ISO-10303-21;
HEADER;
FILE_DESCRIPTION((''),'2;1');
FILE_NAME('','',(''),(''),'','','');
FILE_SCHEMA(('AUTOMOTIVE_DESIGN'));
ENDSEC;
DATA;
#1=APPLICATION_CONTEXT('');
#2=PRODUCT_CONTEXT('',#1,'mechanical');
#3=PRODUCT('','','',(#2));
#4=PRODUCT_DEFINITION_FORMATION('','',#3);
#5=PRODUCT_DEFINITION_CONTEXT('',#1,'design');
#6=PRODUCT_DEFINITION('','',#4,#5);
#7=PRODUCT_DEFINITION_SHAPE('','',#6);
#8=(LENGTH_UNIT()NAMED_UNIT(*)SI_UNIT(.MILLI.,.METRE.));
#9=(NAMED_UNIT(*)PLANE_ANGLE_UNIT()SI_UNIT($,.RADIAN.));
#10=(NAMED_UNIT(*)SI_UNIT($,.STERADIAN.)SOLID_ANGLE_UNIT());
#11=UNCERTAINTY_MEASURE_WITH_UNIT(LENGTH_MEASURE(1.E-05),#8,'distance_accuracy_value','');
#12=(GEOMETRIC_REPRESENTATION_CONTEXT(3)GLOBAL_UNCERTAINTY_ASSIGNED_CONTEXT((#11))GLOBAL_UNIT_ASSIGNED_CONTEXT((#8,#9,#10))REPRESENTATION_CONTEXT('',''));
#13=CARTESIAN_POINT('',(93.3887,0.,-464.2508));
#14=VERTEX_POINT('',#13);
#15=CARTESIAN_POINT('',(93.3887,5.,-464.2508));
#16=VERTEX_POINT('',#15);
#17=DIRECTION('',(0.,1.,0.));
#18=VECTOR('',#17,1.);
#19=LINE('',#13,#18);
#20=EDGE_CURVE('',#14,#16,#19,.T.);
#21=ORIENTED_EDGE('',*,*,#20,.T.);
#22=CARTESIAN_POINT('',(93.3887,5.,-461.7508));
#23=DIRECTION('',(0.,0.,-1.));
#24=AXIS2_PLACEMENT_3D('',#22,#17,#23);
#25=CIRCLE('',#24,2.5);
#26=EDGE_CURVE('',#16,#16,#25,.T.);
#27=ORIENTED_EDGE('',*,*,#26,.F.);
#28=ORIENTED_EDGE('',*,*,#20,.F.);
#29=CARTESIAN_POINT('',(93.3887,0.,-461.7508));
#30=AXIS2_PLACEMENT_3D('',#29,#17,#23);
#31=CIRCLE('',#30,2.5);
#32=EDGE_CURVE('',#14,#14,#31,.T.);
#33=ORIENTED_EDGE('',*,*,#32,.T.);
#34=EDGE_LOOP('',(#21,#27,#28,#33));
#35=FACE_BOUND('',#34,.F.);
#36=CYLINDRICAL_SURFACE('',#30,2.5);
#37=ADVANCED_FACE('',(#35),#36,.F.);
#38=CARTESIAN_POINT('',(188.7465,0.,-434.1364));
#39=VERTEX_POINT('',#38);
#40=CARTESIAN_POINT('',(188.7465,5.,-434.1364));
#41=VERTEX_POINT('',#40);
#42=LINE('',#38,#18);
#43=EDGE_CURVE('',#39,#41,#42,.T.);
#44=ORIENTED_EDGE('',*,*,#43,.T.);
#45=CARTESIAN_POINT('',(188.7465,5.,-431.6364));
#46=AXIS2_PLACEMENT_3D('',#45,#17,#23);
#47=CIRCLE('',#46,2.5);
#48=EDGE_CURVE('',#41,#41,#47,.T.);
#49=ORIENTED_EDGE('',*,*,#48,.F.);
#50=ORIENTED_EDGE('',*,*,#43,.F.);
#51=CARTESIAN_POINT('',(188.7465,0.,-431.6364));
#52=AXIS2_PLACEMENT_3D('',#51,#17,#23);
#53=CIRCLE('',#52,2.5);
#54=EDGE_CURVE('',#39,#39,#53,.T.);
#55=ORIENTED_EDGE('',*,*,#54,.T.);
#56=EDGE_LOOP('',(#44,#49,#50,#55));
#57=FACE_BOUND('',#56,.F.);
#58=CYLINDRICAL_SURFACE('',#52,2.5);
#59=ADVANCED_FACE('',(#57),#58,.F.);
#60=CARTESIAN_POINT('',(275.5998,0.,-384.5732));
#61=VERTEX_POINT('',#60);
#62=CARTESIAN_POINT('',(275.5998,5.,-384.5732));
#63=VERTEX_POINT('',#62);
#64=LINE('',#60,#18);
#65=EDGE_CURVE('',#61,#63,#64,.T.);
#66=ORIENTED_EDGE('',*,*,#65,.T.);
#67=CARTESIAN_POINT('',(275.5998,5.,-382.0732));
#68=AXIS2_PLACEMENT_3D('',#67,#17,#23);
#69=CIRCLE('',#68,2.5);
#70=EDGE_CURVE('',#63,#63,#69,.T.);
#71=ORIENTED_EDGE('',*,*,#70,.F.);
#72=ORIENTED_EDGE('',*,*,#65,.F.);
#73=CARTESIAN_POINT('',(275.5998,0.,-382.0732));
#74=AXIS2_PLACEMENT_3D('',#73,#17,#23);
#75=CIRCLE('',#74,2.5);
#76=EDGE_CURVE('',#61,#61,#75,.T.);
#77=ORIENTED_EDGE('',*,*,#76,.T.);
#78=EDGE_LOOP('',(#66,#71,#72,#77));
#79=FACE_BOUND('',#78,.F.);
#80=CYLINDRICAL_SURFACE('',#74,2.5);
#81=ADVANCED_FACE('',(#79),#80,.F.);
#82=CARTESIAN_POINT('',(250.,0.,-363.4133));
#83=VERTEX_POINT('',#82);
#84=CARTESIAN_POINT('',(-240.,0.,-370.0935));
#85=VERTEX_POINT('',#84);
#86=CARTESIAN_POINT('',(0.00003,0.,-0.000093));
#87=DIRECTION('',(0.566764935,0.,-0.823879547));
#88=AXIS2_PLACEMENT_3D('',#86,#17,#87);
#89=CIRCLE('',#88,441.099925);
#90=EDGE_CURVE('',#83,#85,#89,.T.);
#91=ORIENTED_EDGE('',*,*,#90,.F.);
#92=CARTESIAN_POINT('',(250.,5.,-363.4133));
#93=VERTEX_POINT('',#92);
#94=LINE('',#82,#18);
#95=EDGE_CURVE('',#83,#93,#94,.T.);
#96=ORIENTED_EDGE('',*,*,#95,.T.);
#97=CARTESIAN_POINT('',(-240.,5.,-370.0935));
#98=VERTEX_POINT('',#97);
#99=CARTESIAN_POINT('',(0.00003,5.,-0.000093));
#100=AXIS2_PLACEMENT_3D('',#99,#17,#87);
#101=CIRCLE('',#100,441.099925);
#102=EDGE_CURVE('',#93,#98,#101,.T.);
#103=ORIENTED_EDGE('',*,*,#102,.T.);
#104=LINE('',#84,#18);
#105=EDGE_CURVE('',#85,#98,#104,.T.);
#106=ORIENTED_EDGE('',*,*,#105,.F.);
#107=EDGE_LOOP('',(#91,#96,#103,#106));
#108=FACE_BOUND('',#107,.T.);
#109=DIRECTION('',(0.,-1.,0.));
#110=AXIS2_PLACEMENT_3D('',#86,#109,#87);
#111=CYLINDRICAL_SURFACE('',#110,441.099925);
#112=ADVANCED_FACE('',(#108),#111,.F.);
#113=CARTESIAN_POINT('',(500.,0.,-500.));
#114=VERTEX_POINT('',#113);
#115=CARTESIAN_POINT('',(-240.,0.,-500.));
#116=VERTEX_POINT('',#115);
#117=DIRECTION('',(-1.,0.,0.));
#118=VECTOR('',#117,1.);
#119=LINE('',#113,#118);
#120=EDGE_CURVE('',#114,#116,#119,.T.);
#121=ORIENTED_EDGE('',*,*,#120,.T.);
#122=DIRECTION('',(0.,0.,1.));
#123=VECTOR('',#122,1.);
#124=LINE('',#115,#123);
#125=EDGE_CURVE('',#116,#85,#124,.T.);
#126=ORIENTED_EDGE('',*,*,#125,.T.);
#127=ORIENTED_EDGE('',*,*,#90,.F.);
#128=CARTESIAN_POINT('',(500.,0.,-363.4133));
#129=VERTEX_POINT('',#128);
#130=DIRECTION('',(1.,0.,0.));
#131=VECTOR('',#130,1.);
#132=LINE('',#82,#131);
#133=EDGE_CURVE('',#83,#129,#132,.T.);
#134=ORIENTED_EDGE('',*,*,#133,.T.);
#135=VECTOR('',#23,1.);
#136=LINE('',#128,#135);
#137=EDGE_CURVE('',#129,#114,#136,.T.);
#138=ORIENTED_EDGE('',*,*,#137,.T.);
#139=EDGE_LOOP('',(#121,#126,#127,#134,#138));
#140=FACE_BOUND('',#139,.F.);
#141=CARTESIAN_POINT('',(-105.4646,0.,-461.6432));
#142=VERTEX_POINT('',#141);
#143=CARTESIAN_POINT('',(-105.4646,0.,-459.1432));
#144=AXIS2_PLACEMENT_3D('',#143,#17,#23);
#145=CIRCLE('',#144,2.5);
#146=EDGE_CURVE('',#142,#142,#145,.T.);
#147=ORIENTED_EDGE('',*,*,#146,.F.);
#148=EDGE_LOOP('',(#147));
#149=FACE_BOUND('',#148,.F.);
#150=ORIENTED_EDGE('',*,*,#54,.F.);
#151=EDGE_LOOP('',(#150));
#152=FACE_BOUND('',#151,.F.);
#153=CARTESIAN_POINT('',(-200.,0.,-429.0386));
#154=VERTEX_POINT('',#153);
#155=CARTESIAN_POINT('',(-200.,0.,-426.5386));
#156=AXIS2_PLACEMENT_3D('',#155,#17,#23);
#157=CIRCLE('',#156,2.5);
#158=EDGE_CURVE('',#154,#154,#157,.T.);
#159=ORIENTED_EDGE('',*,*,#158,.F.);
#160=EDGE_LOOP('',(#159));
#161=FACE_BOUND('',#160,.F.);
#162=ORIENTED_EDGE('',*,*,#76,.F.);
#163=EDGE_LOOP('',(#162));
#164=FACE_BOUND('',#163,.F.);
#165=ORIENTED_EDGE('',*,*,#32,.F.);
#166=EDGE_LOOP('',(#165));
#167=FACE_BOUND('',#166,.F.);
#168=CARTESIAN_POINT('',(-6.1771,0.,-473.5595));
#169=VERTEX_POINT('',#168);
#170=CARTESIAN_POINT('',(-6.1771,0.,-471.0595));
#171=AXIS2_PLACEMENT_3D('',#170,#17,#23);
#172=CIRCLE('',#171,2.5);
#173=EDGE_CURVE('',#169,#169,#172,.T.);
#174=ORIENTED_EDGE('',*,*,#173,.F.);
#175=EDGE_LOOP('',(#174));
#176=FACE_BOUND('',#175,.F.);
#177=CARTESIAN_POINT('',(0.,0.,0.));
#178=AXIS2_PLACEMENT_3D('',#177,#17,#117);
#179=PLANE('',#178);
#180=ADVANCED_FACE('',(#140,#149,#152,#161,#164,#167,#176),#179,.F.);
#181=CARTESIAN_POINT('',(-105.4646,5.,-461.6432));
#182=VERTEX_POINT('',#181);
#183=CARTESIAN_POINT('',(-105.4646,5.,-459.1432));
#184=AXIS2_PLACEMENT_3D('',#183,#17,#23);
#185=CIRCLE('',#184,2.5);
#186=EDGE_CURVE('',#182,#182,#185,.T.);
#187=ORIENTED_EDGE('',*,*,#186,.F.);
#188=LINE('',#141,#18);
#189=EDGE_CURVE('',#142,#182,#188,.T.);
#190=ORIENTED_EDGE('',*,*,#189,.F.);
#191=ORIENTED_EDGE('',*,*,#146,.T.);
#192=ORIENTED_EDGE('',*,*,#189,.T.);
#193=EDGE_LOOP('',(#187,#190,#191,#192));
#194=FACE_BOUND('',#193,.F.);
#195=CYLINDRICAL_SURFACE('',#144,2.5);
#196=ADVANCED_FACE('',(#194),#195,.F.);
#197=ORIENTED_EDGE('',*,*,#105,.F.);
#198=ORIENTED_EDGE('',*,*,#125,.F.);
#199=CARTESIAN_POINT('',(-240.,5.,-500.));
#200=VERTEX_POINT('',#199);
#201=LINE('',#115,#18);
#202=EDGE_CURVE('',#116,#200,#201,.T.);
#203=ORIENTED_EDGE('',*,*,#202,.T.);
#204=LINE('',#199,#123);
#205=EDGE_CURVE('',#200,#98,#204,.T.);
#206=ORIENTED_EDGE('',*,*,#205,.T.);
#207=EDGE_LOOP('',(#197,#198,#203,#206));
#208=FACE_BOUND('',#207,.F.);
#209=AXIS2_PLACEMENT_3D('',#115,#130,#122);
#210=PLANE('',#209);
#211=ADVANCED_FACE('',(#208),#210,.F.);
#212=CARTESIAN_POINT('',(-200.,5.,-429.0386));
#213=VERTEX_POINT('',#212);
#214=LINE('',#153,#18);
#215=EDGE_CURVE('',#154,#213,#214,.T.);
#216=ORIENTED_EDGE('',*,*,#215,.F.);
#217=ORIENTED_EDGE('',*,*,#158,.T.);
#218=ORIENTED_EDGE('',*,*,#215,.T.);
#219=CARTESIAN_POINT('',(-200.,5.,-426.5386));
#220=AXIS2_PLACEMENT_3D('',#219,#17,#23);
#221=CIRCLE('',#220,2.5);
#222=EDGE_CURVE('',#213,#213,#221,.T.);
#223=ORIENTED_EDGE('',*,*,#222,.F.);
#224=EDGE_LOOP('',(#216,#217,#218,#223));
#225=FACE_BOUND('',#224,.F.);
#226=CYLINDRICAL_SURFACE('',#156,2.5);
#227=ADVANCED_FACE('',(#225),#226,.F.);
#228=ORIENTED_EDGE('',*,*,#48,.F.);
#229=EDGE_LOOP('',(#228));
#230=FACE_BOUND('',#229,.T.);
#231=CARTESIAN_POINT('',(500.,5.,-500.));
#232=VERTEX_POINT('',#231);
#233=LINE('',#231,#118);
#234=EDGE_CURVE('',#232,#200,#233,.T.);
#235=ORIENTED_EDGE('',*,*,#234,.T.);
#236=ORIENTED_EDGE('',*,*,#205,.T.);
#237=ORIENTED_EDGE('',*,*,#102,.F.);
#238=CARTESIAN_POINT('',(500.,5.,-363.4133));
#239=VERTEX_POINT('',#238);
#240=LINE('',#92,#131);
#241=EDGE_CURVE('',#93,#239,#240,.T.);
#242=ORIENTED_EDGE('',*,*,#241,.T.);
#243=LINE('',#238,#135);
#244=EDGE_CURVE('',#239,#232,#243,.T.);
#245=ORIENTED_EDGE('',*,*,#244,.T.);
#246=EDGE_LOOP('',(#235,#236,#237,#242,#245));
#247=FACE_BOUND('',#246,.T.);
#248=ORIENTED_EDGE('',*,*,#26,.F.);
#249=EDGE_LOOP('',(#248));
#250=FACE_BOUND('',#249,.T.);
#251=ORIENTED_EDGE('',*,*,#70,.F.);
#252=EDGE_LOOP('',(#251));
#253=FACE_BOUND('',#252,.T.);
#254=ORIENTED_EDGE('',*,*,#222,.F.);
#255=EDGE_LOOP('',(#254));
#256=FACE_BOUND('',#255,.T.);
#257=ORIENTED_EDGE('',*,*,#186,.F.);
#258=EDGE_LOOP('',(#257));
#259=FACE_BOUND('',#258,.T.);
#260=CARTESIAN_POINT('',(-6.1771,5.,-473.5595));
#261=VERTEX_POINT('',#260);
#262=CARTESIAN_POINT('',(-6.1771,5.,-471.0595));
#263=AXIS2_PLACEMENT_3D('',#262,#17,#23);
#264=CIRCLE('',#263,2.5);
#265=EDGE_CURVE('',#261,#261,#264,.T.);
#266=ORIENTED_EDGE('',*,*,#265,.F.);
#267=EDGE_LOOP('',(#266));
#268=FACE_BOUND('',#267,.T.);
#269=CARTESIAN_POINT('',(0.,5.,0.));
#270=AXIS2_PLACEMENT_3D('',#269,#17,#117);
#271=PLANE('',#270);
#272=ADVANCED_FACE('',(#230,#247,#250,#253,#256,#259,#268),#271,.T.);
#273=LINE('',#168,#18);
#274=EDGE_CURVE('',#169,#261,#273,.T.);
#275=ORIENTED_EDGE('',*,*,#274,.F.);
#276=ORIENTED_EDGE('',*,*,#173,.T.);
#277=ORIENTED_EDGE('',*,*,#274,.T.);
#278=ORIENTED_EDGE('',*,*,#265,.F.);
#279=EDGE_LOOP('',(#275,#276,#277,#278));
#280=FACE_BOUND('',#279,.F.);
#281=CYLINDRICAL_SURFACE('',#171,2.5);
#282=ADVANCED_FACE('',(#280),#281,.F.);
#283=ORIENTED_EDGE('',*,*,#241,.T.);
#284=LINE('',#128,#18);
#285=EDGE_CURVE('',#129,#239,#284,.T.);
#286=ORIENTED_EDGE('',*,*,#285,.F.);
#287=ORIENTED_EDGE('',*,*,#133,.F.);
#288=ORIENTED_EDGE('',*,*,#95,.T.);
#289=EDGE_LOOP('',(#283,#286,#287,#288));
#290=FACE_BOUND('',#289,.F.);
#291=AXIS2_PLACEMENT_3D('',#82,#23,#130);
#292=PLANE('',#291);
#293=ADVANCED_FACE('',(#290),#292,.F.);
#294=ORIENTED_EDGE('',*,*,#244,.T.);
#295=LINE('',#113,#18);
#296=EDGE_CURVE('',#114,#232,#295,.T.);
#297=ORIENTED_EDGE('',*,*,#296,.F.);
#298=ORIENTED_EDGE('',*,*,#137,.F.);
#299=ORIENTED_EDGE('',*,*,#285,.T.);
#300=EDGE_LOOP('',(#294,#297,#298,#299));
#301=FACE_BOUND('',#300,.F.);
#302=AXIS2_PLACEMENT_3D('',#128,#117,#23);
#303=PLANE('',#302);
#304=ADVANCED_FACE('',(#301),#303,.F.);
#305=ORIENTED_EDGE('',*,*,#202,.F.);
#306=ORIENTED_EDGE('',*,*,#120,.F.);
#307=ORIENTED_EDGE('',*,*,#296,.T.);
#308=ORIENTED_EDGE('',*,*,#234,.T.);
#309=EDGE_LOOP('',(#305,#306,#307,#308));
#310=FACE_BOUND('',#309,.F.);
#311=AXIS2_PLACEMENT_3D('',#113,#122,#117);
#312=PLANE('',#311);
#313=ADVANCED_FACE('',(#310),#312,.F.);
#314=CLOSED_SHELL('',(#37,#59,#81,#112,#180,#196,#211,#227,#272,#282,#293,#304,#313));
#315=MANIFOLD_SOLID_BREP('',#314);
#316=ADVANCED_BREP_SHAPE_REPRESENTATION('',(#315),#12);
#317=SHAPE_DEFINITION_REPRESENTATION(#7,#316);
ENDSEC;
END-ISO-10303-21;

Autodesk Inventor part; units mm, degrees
ref_plane "YZ Plane" through (0, 0, 0) normal (1, 0, 0) x (0, 1, 0)
ref_plane "XZ Plane" through (0, 0, 0) normal (0, 1, 0) x (-1, 0, 0)
ref_plane "XY Plane" through (0, 0, 0) normal (0, 0, 1) x (1, 0, 0)
sketch "Sketch2" plane through (0, 0, 0) normal (0, 1, 0) x (-1, 0, 0)
  line L0 (0, 329.241) -> (0, -329.241) construction
  line L1 (203.5937, 0) -> (-203.5937, 0) construction
  arc A0 (-250, -363.4133) -> (240, -370.0935) centre (0, 0) ccw
  line L2 (-500, -363.4133) -> (-500, -500)
  line L3 (-500, -500) -> (240, -500)
  line L4 (240, -500) -> (240, -370.0935)
  line L5 (-250, -363.4133) -> (-500, -363.4133)
  dimension "d0" = 500
  dimension "d2" = 500
  dimension "d3" = 441.1
  dimension "d5" = 363.4133
  dimension "d19" = 740
extrude "Extrusion1" add sketch "Sketch2" along normal blind 5
sketch "Sketch3" plane through (0, 0, 0) normal (0, -1, 0) x (1, 0, 0)
  line L0 (-200, -426.5386) -> (-105.4646, -459.1432) construction
  line L1 (-105.4646, -459.1432) -> (-6.1771, -471.0595) construction
  line L2 (-6.1771, -471.0595) -> (93.3887, -461.7508) construction
  line L3 (93.3887, -461.7508) -> (188.7465, -431.6364) construction
  line L4 (-200, -426.5386) -> (0, 0) construction
  line L5 (0, 0) -> (-105.4646, -459.1432) construction
  line L6 (0, 0) -> (-6.1771, -471.0595) construction
  line L7 (0, 0) -> (93.3887, -461.7508) construction
  line L8 (0, 0) -> (188.7465, -431.6364) construction
  line L9 (275.5998, -382.0732) -> (188.7465, -431.6364) construction
  line L10 (275.5998, -382.0732) -> (0, 0) construction
  line L11 (-240, -500) -> (-240, -370.0935) construction
  dimension "d8" = 471.1
  dimension "d9" = 100
  dimension "d10" = 40
hole "Hole1" at (-200, 0, -426.5386) at (-105.4646, 0, -459.1432) at (-6.1771, 0, -471.0595) at (93.3887, 0, -461.7508) at (188.7465, 0, -431.6364) at (275.5998, 0, -382.0732) direction (0, 1, 0) diameter 5 end through all
properties part number "boundaryHalf2V1"
